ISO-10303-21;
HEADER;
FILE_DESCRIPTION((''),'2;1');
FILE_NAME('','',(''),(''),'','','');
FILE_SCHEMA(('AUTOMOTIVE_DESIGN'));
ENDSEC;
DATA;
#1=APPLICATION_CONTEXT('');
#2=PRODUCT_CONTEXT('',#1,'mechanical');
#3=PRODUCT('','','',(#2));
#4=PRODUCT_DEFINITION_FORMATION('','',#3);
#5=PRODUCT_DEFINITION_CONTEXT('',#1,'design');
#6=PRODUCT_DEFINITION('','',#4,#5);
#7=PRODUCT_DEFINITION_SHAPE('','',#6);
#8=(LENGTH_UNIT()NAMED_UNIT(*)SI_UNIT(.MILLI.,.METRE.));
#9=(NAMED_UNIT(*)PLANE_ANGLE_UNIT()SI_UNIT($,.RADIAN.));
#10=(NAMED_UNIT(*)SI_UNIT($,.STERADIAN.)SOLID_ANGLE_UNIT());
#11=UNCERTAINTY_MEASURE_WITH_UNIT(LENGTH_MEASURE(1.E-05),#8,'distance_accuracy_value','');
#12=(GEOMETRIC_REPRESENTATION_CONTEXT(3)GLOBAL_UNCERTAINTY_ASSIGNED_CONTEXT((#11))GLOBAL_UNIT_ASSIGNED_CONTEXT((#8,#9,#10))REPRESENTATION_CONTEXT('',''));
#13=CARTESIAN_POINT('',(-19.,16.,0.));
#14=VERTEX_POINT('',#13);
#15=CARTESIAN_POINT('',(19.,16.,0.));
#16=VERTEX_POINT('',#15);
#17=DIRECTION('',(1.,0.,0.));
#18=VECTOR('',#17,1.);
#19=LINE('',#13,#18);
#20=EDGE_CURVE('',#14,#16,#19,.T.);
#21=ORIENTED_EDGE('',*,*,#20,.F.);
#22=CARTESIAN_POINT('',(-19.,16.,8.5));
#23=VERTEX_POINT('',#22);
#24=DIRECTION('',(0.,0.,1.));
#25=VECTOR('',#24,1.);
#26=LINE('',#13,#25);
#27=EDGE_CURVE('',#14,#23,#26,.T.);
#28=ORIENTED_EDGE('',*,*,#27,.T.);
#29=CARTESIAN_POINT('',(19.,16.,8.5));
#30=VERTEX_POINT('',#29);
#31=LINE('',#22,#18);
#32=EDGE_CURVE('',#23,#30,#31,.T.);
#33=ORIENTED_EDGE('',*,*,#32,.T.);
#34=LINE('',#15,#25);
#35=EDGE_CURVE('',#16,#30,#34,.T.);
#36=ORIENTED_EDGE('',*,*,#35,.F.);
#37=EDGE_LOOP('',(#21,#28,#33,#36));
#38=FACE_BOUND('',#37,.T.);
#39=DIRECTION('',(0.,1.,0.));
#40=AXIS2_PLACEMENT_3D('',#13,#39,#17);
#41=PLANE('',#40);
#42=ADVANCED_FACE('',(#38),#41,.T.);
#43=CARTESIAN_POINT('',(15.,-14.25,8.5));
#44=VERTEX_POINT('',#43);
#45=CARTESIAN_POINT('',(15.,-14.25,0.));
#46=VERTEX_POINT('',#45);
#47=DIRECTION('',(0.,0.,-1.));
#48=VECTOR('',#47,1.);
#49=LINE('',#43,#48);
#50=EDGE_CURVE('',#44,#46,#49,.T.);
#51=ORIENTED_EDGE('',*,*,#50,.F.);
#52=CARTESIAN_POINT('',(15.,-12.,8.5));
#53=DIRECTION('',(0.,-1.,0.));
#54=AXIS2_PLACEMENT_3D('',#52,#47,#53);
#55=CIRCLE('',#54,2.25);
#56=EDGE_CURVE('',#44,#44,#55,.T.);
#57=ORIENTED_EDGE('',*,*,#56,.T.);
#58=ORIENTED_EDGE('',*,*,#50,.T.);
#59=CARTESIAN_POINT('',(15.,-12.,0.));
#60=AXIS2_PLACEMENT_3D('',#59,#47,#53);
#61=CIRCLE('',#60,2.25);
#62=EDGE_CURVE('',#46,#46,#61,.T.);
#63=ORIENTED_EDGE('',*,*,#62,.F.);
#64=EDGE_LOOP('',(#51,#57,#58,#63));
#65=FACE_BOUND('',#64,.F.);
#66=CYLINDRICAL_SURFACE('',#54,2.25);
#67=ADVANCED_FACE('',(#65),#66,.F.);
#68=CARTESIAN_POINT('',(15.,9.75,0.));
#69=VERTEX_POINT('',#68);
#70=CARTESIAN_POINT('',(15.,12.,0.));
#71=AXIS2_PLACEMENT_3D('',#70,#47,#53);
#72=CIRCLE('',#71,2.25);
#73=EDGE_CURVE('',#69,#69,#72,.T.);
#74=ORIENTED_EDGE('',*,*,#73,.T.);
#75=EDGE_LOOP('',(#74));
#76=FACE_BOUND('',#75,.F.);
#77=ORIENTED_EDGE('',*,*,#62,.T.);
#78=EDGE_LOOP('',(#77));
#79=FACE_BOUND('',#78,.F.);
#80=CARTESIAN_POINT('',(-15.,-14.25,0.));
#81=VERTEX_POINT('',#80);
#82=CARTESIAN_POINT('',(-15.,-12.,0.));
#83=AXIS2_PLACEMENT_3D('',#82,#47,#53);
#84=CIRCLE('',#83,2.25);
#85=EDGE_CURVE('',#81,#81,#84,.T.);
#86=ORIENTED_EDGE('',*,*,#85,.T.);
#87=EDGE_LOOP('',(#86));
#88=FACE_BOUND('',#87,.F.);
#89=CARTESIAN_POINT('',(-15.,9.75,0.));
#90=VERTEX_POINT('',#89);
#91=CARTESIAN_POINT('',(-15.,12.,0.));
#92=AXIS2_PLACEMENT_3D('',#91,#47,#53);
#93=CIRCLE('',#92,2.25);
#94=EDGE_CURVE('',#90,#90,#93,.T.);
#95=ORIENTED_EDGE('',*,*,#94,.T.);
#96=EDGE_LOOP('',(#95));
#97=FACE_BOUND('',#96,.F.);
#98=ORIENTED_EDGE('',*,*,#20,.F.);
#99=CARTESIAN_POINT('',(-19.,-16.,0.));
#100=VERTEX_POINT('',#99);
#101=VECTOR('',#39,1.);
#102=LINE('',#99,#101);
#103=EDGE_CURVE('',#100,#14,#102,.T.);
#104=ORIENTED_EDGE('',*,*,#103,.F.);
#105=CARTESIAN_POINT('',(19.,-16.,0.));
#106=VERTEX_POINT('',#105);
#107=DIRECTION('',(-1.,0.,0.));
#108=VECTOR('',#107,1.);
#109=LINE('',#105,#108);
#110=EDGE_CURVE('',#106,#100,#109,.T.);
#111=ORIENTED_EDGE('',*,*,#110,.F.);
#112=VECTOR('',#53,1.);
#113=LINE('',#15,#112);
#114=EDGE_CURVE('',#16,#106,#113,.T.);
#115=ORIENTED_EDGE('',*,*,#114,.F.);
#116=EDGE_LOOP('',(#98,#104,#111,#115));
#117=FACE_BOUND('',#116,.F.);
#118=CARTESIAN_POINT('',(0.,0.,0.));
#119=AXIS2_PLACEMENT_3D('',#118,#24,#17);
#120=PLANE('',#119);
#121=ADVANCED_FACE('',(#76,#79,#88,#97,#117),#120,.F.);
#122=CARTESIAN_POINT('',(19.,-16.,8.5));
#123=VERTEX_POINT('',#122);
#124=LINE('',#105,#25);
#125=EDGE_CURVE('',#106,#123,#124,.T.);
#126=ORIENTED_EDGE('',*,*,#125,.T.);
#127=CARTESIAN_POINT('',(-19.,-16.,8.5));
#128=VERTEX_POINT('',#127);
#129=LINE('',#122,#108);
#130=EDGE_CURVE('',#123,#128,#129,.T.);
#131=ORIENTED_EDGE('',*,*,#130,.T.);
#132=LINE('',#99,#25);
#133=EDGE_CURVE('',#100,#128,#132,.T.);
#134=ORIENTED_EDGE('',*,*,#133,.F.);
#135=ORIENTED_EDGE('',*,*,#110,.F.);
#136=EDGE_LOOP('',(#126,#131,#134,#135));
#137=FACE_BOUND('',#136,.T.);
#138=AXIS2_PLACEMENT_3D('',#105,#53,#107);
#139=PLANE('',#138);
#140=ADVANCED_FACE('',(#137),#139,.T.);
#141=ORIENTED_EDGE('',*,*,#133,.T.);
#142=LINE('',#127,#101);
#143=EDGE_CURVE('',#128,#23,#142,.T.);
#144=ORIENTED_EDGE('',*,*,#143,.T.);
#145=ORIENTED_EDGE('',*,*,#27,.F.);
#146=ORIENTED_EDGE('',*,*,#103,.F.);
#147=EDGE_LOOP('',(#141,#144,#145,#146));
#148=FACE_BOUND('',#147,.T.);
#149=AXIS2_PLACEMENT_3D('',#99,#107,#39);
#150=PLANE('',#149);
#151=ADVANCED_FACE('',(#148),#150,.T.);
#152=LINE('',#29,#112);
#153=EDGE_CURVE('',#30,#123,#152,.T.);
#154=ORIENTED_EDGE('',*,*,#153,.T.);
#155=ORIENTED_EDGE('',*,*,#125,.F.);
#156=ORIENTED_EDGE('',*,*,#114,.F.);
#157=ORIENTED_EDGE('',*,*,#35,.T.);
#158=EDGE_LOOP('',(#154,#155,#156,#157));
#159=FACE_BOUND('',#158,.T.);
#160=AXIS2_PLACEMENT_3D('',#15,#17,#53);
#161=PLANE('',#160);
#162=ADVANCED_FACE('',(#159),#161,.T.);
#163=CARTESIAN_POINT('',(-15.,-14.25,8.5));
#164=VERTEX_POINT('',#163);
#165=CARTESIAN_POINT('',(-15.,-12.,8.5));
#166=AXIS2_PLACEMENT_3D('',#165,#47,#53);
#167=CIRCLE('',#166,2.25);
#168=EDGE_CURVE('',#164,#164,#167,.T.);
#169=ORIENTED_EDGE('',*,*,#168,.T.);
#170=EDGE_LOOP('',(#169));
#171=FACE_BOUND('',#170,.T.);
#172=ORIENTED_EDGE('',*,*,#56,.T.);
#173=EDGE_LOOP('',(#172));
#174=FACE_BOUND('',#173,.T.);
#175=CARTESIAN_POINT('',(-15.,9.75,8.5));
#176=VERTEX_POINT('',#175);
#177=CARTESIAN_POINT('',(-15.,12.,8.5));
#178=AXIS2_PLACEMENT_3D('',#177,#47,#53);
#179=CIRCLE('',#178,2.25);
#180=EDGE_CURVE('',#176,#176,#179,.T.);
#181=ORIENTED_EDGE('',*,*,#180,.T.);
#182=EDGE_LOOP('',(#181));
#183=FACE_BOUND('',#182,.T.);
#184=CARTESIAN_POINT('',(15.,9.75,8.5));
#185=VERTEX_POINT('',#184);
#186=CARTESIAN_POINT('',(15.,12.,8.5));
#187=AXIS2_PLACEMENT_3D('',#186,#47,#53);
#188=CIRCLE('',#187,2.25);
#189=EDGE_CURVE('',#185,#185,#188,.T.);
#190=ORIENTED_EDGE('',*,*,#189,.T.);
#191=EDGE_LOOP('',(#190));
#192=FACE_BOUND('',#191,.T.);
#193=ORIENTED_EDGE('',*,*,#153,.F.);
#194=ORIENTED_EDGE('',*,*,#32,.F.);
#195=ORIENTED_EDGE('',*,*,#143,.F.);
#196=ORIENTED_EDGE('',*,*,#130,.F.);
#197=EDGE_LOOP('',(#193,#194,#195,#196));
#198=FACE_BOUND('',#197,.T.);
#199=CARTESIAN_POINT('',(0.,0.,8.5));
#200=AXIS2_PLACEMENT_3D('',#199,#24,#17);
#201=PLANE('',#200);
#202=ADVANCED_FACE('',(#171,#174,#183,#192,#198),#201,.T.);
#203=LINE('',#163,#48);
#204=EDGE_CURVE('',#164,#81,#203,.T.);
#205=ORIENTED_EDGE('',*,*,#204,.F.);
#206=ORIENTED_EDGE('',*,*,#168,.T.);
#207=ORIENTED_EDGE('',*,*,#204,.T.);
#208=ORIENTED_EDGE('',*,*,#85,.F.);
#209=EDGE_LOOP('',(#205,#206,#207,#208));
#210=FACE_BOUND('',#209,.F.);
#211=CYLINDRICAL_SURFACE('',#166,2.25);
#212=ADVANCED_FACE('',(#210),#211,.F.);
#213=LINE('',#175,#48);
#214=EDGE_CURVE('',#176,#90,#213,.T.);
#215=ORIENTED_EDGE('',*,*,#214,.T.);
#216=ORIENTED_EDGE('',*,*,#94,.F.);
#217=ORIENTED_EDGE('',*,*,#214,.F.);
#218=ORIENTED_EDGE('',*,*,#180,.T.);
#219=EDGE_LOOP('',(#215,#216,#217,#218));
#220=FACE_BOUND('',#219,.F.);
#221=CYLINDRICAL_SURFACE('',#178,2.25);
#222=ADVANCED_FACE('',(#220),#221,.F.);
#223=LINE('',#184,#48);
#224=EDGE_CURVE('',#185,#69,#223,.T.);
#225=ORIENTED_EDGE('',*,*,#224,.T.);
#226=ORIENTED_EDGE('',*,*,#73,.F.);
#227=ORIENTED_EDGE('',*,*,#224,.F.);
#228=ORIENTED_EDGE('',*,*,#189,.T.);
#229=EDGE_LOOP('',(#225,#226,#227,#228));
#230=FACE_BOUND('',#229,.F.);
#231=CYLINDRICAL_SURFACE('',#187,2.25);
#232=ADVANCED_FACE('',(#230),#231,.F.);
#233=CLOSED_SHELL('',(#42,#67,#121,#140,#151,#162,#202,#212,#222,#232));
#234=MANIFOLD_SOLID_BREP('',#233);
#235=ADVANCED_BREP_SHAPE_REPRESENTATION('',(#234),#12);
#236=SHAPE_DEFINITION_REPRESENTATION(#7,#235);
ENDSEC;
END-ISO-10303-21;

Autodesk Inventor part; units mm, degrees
ref_plane "YZ Plane" through (0, 0, 0) normal (1, 0, 0) x (0, 1, 0)
ref_plane "XZ Plane" through (0, 0, 0) normal (0, 1, 0) x (-1, 0, 0)
ref_plane "XY Plane" through (0, 0, 0) normal (0, 0, 1) x (1, 0, 0)
sketch "スケッチ1" plane through (0, 0, 0) normal (0, 0, 1) x (1, 0, 0)
  line L0 (-19, 16) -> (19, 16)
  line L1 (19, 16) -> (19, -16)
  line L2 (19, -16) -> (-19, -16)
  line L3 (-19, -16) -> (-19, 16)
  line L4 (-19, 16) -> (19, -16) construction
  line L5 (19, 16) -> (-19, -16) construction
  point P0 (0, 0)
  dimension "d0" = 38
  dimension "d2" = 32
extrude "押し出し1" add sketch "スケッチ1" along normal blind 8.5
sketch "スケッチ2" plane through (0, 0, 8.5) normal (0, 0, 1) x (1, 0, 0)
  line L0 (19, 16) -> (-19, 16) projected
  line L1 (-19, 16) -> (-19, -16) projected
  line L2 (-19, -16) -> (19, -16) projected
  line L3 (19, -16) -> (19, 16) projected
  point P0 (0, 0)
  point P1 (-15, 12)
  point P2 (-15, -12)
  point P3 (15, -12)
  point P4 (15, 12)
  dimension "d5" = 4
  dimension "d6" = 4
  dimension "d7" = 4
  dimension "d8" = 4
  dimension "d9" = 4
  dimension "d10" = 4
hole "穴1" at (-15, 12, 8.5) at (-15, -12, 8.5) at (15, -12, 8.5) at (15, 12, 8.5) direction (0, 0, -1) diameter 4.5 end through all
properties part number "スペーサ改"
